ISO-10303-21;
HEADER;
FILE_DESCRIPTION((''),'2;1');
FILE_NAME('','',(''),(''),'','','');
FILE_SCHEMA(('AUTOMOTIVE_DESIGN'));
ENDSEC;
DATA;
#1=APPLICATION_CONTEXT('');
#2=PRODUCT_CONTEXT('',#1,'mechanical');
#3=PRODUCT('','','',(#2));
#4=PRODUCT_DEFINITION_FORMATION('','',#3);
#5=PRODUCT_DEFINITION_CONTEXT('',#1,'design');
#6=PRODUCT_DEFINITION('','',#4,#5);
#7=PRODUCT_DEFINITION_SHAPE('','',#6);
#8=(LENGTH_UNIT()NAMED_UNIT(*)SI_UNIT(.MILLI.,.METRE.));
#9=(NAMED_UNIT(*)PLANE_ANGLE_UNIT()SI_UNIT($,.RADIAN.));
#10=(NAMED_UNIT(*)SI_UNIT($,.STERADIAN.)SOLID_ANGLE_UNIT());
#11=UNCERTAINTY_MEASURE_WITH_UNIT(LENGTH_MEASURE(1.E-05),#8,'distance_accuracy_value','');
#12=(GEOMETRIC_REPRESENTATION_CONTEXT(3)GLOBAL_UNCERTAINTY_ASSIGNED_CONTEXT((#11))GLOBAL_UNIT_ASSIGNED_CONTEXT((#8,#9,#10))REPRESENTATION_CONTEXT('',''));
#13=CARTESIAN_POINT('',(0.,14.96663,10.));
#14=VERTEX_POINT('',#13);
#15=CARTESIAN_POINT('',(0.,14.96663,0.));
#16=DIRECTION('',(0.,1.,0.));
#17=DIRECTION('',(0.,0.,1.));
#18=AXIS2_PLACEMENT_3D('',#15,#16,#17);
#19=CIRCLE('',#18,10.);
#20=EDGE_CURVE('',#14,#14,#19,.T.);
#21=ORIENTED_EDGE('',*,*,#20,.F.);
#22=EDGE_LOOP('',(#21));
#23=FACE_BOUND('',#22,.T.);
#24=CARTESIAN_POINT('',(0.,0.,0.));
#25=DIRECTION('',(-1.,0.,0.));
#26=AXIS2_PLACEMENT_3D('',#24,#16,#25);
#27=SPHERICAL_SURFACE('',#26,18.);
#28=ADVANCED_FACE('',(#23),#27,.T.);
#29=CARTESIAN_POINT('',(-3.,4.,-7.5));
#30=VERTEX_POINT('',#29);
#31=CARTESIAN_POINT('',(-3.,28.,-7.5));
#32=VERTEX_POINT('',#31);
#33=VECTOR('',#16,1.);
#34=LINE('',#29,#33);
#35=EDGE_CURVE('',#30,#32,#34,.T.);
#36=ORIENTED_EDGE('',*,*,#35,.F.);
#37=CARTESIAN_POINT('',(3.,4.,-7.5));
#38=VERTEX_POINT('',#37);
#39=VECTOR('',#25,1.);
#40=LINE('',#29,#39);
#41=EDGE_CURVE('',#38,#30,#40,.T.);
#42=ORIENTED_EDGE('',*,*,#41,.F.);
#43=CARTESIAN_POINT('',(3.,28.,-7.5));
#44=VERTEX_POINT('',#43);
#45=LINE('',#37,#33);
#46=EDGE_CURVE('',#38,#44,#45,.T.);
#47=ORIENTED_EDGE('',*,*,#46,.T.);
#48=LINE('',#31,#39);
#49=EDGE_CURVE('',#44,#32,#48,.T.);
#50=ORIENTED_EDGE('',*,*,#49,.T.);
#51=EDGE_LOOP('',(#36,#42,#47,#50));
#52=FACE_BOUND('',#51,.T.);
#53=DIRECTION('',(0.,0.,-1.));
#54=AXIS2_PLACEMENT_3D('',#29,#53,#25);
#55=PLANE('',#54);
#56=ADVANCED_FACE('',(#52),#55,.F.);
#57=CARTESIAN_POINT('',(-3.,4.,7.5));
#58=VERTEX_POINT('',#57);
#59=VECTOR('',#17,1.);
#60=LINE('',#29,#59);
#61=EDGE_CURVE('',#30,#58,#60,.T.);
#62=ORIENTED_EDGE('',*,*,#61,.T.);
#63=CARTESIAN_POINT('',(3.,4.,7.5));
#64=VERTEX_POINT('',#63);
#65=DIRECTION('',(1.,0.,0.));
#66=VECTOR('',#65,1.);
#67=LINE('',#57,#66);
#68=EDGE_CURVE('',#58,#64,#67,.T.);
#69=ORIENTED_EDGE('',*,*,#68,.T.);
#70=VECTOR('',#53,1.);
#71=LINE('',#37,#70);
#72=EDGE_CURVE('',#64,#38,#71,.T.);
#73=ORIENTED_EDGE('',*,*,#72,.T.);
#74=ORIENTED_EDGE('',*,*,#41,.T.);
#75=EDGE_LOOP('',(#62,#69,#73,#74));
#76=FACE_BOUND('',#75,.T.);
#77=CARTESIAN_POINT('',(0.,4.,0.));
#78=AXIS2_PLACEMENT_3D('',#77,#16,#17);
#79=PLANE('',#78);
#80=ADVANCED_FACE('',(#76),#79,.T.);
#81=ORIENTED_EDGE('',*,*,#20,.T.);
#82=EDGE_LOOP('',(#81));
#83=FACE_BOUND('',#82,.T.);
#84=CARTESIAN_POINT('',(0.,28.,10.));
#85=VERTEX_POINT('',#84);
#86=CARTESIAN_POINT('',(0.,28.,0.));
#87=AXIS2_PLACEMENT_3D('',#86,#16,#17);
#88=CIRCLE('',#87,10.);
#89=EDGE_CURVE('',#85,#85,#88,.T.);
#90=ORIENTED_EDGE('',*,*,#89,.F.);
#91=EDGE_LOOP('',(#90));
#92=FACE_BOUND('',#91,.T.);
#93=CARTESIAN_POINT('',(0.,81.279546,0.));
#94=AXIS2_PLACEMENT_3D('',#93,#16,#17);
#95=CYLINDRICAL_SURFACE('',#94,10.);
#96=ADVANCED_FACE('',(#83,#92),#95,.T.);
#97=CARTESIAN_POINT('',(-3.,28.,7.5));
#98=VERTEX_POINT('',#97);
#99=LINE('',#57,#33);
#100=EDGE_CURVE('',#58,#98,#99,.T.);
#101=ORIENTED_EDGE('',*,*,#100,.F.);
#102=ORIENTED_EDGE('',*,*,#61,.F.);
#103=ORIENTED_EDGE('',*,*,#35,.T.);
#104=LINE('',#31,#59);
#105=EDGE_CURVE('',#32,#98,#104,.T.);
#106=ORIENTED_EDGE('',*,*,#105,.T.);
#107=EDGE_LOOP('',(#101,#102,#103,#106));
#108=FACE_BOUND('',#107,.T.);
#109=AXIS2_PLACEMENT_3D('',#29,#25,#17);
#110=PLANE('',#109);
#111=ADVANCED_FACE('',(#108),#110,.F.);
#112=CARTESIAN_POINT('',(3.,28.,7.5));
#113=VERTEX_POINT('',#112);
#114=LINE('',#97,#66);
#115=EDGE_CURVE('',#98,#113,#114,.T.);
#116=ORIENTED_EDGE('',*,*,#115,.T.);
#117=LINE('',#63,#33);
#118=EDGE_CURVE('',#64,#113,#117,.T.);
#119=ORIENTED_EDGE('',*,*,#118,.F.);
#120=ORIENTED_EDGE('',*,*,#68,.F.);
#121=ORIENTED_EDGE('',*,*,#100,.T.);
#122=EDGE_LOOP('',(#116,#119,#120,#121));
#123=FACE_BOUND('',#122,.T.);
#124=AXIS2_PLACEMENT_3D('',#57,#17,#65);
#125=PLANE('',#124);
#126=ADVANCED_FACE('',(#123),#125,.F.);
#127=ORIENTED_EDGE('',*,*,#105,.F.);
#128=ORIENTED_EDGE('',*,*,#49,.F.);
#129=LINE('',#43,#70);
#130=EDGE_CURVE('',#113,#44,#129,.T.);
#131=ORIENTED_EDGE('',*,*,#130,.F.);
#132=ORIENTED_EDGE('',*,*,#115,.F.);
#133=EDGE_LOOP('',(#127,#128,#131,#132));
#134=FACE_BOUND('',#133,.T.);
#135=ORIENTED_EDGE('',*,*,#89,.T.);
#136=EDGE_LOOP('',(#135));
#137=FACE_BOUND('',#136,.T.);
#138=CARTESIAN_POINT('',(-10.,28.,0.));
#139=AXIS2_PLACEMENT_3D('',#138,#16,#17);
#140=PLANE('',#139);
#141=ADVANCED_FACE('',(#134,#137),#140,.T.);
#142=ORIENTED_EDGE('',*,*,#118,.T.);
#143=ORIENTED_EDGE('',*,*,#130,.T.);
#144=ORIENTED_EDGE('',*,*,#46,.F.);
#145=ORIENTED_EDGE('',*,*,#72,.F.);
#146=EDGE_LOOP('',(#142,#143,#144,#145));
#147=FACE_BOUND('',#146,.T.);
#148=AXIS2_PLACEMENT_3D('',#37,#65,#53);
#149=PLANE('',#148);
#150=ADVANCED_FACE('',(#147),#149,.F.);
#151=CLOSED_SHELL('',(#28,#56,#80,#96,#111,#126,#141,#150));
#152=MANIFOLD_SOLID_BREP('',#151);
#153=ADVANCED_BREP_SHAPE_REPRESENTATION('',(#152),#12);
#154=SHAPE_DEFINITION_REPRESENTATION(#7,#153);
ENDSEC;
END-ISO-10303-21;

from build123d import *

# Parameters (mm, degrees)
SKETCH_2_W          = 6
SKETCH_2_H          = 15
CUT_EXTRUDE_1_DEPTH = 24


with BuildPart() as part:
    # 草图1 → 旋转1 (revolve)
    with BuildSketch(Plane.XY, mode=Mode.PRIVATE) as revolve_1_sk:
        with BuildLine():
            Line((-10, 28), (-10, 14.966629547))
            ThreePointArc((-10, 14.966629547), (-17.22497216, -5.22497216), (0, -18))
            Line((0, -18), (0, 28))
            Line((0, 28), (-10, 28))
        make_face()
    revolve(revolve_1_sk.sketch.rotate(Axis((0, 81.279546427, 0), (0, -1, 0)), 270), axis=Axis((0, 81.279546427, 0), (0, -1, 0)))

    # 草图2 → 切除-拉伸1 (cut)
    with BuildSketch(Plane(origin=(0, 28, 0), x_dir=(1, 0, 0), z_dir=(0, 1, 0))):
        Rectangle(SKETCH_2_W, SKETCH_2_H)
    extrude(amount=-CUT_EXTRUDE_1_DEPTH, mode=Mode.SUBTRACT)


solid = part.part
